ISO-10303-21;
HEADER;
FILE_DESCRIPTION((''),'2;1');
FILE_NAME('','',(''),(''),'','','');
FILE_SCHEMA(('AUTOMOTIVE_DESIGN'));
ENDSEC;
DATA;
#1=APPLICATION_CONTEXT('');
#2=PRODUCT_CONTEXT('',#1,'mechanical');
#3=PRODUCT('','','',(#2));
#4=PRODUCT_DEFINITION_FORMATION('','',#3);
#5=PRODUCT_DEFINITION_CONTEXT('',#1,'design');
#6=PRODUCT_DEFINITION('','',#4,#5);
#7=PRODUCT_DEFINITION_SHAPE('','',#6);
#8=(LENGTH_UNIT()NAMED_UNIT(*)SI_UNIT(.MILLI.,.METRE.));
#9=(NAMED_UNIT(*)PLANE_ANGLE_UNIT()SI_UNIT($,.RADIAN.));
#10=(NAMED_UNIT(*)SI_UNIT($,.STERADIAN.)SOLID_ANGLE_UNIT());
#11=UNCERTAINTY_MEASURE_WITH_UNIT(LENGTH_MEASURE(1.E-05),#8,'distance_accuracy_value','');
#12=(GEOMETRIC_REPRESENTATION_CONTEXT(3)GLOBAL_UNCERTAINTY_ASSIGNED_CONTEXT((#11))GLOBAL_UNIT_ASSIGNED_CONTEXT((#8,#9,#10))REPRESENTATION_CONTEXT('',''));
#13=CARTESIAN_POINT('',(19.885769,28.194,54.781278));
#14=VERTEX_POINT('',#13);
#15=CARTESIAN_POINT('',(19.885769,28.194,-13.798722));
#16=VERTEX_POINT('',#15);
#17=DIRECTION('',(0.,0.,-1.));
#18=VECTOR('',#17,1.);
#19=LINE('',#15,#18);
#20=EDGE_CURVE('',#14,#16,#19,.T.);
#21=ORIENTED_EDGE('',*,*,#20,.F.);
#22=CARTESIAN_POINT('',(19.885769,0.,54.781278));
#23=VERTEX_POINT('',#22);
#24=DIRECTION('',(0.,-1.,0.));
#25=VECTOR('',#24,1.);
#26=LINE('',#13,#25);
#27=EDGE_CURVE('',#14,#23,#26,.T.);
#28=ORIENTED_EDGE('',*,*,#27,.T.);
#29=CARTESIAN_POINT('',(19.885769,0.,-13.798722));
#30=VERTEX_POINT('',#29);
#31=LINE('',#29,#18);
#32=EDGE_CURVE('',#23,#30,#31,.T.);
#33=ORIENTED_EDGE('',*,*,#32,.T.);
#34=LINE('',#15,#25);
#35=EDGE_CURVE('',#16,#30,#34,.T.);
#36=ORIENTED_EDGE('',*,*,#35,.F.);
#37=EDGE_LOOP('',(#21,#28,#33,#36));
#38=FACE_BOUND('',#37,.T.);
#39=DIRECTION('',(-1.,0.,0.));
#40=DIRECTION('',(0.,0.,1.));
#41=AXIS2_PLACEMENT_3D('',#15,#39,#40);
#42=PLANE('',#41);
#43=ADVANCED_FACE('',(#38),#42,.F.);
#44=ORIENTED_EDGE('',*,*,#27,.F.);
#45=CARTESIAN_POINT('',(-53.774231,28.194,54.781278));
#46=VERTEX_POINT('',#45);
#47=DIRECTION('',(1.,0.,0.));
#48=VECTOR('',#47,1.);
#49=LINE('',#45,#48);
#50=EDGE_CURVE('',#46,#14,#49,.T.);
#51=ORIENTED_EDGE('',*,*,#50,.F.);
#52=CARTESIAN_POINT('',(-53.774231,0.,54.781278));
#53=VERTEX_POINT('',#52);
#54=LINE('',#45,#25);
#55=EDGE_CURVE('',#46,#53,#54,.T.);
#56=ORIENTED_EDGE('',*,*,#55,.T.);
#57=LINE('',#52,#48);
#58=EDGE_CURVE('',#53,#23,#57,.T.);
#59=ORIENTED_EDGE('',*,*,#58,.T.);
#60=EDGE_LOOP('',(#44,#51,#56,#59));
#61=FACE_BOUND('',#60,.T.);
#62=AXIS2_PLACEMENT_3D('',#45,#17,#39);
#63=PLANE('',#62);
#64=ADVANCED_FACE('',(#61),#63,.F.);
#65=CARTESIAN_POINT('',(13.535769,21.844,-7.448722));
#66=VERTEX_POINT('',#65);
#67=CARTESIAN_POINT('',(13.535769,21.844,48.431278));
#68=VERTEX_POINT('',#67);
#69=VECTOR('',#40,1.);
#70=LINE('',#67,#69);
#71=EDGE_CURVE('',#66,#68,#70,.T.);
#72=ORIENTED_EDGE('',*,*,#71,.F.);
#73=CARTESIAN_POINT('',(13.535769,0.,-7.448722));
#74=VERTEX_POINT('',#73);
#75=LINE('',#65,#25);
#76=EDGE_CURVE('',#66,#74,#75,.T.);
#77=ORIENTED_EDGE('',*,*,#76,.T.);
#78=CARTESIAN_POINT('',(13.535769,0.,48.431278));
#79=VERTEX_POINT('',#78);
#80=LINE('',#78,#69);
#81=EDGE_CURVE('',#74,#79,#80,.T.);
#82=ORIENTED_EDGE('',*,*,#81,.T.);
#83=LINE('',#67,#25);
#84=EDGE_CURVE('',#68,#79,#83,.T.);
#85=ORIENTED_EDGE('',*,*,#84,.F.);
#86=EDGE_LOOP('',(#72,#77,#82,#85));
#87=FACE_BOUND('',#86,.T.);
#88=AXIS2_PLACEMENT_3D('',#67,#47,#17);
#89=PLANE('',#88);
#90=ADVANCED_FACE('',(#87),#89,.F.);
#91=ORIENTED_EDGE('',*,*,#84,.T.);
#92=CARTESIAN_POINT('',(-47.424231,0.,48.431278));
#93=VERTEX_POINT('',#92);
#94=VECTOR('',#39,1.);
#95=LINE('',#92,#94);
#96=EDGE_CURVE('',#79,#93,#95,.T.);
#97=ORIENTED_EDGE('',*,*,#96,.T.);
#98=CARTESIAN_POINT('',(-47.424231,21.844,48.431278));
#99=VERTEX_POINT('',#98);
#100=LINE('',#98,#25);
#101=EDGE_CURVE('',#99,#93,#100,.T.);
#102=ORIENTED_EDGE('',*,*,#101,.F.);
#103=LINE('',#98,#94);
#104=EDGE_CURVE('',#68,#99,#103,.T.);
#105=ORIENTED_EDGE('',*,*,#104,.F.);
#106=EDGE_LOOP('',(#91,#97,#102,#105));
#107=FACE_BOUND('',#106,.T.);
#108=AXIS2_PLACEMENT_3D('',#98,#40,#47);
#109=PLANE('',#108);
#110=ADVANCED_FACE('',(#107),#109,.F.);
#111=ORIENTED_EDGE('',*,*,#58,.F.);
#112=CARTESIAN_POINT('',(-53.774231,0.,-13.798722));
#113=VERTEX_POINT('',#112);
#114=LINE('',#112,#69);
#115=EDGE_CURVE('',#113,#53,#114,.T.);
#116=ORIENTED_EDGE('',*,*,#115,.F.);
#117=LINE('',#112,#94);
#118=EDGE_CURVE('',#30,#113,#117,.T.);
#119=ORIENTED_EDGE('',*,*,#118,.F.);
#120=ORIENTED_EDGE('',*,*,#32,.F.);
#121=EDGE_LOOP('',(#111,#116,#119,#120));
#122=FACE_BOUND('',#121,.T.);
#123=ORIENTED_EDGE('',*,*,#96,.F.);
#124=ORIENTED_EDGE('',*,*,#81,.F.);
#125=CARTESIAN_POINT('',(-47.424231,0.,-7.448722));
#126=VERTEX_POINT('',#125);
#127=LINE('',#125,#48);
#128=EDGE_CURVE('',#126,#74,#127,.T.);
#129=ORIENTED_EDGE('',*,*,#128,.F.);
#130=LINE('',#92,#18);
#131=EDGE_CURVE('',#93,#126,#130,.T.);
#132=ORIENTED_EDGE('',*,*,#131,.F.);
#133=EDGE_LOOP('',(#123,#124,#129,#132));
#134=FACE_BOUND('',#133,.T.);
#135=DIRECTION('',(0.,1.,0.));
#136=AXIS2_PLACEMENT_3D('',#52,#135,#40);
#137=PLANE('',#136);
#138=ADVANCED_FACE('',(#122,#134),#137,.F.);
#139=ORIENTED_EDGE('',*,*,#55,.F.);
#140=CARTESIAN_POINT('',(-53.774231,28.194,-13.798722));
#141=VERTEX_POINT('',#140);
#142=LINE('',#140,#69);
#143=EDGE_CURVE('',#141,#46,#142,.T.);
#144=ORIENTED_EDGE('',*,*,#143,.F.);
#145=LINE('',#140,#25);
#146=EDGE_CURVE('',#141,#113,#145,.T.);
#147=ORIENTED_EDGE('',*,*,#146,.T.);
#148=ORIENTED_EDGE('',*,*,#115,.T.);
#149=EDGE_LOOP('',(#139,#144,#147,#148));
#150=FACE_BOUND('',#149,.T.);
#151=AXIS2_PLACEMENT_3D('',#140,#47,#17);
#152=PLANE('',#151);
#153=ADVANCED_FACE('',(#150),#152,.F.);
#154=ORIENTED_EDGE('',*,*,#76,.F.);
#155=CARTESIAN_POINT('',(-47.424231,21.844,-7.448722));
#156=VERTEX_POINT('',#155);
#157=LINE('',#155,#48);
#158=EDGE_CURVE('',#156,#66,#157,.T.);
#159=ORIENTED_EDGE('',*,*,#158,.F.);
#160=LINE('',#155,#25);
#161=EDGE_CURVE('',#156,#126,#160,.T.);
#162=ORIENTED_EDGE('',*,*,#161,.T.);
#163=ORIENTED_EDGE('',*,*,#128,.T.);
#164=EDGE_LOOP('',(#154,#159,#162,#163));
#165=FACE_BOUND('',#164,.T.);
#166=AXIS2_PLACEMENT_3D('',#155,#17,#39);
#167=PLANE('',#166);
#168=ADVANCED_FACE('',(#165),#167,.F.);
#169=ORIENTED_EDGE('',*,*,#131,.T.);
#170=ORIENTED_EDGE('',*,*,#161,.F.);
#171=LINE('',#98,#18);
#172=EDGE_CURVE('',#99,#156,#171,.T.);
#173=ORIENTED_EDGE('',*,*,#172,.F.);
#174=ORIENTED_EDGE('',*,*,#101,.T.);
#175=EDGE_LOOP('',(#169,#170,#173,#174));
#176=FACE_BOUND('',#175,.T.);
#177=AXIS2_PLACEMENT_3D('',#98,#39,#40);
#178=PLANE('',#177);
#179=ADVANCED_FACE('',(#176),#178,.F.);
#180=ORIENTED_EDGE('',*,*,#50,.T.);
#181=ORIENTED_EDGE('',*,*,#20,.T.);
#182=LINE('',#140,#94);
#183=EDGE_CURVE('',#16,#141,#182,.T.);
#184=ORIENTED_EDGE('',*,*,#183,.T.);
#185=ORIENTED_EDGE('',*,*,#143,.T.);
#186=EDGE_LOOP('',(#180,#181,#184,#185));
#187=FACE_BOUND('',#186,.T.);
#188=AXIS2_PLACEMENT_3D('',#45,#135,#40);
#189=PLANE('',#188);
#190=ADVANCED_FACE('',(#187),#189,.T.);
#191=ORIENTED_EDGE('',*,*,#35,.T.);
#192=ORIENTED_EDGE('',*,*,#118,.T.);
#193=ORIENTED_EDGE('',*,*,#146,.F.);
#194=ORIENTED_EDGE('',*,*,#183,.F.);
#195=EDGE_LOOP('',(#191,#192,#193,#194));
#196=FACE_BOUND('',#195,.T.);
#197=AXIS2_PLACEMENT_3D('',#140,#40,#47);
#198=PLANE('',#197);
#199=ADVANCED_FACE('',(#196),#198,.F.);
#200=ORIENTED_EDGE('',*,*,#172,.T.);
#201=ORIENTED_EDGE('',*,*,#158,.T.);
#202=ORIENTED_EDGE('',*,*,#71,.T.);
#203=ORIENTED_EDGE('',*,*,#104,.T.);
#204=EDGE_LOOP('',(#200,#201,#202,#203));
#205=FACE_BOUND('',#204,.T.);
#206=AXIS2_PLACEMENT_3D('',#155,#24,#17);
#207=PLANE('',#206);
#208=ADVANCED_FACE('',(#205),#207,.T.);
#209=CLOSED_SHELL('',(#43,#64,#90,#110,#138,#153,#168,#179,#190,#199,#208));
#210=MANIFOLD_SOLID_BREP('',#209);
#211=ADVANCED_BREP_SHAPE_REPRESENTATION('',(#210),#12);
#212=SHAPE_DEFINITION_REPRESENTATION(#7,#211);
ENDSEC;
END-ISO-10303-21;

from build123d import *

# Parameters (mm, degrees)
SKETCH1_W           = 73.66
SKETCH1_H           = 68.58
BOSS_EXTRUDE1_DEPTH = 28.194
SKETCH2_W           = 60.96
SKETCH2_H           = 55.88
CUT_EXTRUDE1_DEPTH  = 21.844


with BuildPart() as part:
    # Sketch1 → Boss-Extrude1 (new body)
    with BuildSketch(Plane(origin=(0, 0, 0), x_dir=(1, 0, 0), z_dir=(0, 1, 0))):
        with Locations((-16.944230913, -20.491278483)):
            Rectangle(SKETCH1_W, SKETCH1_H)
    extrude(amount=BOSS_EXTRUDE1_DEPTH)

    # Sketch2 → Cut-Extrude1 (cut)
    with BuildSketch(Plane.XZ):
        with Locations((-16.944230913, 20.491278483)):
            Rectangle(SKETCH2_W, SKETCH2_H)
    extrude(amount=-CUT_EXTRUDE1_DEPTH, mode=Mode.SUBTRACT)


solid = part.part
